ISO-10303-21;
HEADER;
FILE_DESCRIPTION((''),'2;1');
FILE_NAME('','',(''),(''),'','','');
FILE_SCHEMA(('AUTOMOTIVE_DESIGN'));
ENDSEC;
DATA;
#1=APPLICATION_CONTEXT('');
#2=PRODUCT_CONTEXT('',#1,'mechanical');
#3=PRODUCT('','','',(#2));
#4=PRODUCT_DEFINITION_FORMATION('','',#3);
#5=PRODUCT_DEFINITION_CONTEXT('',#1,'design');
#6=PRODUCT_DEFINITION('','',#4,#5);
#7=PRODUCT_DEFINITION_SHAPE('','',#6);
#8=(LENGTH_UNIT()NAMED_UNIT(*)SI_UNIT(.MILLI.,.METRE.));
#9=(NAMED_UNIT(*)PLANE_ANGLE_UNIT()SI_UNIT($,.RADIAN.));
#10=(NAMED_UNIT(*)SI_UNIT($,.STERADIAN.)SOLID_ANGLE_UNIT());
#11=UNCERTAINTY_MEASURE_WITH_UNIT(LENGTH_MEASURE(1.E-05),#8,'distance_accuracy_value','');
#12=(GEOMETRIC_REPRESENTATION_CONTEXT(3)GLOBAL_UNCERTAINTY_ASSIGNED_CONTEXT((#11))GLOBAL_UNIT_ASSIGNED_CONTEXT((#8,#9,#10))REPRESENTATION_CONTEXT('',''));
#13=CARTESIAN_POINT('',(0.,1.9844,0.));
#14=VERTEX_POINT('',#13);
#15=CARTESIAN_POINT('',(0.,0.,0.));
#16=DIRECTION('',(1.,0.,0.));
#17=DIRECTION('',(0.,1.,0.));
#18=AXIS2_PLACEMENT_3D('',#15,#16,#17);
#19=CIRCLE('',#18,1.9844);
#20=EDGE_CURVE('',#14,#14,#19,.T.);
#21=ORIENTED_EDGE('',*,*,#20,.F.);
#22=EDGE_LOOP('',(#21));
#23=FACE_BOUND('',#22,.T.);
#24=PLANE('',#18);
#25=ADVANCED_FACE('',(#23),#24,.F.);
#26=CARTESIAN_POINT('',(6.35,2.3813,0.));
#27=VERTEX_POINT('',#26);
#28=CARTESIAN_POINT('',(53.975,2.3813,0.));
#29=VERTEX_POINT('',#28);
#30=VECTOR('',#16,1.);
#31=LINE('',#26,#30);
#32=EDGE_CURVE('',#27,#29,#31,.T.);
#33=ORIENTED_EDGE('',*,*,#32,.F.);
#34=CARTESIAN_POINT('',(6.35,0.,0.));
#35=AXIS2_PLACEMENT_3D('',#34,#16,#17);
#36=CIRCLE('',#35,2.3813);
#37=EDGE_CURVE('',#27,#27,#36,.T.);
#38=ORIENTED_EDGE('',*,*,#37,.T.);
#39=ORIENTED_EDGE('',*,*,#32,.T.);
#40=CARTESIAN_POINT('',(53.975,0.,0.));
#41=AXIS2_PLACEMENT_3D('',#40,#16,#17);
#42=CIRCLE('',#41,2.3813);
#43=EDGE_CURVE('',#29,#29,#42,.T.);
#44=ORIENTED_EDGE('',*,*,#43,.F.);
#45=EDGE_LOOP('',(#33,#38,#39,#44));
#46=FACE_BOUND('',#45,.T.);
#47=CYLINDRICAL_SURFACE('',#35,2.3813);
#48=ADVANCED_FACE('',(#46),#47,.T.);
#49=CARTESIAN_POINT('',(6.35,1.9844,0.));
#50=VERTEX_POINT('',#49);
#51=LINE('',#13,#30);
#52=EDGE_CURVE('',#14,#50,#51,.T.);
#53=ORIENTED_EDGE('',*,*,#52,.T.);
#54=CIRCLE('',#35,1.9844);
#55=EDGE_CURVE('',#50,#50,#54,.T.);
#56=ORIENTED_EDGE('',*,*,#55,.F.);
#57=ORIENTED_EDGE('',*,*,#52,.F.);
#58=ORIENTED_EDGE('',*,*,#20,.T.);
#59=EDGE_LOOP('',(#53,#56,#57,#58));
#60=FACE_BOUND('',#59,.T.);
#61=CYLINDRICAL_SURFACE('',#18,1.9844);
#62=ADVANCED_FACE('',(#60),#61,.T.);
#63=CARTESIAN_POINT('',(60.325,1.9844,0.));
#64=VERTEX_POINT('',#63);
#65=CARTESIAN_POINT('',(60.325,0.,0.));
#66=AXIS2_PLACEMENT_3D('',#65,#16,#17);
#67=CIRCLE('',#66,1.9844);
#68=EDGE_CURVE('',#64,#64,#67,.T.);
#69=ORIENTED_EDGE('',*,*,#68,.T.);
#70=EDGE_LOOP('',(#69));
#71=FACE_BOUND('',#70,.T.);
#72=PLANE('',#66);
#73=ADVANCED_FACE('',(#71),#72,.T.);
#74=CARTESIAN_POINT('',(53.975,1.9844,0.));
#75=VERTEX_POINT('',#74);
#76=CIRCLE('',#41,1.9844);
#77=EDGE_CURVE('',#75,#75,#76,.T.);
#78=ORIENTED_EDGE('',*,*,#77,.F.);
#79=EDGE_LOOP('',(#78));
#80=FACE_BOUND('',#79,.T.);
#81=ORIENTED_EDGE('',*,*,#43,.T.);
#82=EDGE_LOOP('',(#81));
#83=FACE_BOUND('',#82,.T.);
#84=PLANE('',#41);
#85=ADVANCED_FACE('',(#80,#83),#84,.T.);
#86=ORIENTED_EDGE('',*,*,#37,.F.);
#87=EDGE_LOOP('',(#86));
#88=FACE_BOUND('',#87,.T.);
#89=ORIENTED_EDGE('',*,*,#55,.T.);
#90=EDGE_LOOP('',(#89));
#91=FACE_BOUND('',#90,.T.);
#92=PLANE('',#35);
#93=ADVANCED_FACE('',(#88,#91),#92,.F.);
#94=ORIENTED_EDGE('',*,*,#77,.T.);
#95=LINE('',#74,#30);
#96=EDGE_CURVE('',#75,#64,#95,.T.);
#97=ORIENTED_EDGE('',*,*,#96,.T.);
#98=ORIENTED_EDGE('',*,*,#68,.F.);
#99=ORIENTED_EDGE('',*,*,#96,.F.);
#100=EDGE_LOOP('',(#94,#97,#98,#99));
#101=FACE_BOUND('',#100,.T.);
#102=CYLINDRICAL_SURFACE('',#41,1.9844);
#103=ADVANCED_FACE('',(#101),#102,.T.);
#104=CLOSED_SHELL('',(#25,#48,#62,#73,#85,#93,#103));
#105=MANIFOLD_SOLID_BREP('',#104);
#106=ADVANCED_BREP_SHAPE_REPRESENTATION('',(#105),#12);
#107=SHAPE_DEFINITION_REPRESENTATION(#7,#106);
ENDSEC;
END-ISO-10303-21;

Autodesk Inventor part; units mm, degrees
ref_plane "Start Plane" through (0, 0, 0) normal (1, 0, 0) x (0, 1, 0)
ref_plane "XZ Plane" through (0, 0, 0) normal (0, 1, 0) x (-1, 0, 0)
ref_plane "XY Plane" through (0, 0, 0) normal (0, 0, 1) x (1, 0, 0)
sketch "Main Sketch" plane through (0, 0, 0) normal (0, 0, 1) x (1, 0, 0)
  line L0 (0, 0) -> (60.325, 0)
  line L1 (0, 0) -> (0, 1.9844)
  line L2 (0, 1.9844) -> (6.35, 1.9844)
  line L3 (6.35, 1.9844) -> (6.35, 2.3813)
  line L4 (53.975, 2.3813) -> (53.975, 1.9844)
  line L5 (6.35, 2.3813) -> (53.975, 2.3813)
  line L6 (60.325, 1.9844) -> (60.325, 0)
  line L7 (53.975, 1.9844) -> (60.325, 1.9844)
  dimension "d3" = 3.9688
  dimension "d4" = 4.7625
  dimension "d5" = 3.9688
revolve "Revolution1" add sketch "Main Sketch" angle 360 about axis through (0, 0, 0) along (1, 0, 0)
equation "\"Length\" = 60.325"
properties part number "Shaft" material "Steel"
